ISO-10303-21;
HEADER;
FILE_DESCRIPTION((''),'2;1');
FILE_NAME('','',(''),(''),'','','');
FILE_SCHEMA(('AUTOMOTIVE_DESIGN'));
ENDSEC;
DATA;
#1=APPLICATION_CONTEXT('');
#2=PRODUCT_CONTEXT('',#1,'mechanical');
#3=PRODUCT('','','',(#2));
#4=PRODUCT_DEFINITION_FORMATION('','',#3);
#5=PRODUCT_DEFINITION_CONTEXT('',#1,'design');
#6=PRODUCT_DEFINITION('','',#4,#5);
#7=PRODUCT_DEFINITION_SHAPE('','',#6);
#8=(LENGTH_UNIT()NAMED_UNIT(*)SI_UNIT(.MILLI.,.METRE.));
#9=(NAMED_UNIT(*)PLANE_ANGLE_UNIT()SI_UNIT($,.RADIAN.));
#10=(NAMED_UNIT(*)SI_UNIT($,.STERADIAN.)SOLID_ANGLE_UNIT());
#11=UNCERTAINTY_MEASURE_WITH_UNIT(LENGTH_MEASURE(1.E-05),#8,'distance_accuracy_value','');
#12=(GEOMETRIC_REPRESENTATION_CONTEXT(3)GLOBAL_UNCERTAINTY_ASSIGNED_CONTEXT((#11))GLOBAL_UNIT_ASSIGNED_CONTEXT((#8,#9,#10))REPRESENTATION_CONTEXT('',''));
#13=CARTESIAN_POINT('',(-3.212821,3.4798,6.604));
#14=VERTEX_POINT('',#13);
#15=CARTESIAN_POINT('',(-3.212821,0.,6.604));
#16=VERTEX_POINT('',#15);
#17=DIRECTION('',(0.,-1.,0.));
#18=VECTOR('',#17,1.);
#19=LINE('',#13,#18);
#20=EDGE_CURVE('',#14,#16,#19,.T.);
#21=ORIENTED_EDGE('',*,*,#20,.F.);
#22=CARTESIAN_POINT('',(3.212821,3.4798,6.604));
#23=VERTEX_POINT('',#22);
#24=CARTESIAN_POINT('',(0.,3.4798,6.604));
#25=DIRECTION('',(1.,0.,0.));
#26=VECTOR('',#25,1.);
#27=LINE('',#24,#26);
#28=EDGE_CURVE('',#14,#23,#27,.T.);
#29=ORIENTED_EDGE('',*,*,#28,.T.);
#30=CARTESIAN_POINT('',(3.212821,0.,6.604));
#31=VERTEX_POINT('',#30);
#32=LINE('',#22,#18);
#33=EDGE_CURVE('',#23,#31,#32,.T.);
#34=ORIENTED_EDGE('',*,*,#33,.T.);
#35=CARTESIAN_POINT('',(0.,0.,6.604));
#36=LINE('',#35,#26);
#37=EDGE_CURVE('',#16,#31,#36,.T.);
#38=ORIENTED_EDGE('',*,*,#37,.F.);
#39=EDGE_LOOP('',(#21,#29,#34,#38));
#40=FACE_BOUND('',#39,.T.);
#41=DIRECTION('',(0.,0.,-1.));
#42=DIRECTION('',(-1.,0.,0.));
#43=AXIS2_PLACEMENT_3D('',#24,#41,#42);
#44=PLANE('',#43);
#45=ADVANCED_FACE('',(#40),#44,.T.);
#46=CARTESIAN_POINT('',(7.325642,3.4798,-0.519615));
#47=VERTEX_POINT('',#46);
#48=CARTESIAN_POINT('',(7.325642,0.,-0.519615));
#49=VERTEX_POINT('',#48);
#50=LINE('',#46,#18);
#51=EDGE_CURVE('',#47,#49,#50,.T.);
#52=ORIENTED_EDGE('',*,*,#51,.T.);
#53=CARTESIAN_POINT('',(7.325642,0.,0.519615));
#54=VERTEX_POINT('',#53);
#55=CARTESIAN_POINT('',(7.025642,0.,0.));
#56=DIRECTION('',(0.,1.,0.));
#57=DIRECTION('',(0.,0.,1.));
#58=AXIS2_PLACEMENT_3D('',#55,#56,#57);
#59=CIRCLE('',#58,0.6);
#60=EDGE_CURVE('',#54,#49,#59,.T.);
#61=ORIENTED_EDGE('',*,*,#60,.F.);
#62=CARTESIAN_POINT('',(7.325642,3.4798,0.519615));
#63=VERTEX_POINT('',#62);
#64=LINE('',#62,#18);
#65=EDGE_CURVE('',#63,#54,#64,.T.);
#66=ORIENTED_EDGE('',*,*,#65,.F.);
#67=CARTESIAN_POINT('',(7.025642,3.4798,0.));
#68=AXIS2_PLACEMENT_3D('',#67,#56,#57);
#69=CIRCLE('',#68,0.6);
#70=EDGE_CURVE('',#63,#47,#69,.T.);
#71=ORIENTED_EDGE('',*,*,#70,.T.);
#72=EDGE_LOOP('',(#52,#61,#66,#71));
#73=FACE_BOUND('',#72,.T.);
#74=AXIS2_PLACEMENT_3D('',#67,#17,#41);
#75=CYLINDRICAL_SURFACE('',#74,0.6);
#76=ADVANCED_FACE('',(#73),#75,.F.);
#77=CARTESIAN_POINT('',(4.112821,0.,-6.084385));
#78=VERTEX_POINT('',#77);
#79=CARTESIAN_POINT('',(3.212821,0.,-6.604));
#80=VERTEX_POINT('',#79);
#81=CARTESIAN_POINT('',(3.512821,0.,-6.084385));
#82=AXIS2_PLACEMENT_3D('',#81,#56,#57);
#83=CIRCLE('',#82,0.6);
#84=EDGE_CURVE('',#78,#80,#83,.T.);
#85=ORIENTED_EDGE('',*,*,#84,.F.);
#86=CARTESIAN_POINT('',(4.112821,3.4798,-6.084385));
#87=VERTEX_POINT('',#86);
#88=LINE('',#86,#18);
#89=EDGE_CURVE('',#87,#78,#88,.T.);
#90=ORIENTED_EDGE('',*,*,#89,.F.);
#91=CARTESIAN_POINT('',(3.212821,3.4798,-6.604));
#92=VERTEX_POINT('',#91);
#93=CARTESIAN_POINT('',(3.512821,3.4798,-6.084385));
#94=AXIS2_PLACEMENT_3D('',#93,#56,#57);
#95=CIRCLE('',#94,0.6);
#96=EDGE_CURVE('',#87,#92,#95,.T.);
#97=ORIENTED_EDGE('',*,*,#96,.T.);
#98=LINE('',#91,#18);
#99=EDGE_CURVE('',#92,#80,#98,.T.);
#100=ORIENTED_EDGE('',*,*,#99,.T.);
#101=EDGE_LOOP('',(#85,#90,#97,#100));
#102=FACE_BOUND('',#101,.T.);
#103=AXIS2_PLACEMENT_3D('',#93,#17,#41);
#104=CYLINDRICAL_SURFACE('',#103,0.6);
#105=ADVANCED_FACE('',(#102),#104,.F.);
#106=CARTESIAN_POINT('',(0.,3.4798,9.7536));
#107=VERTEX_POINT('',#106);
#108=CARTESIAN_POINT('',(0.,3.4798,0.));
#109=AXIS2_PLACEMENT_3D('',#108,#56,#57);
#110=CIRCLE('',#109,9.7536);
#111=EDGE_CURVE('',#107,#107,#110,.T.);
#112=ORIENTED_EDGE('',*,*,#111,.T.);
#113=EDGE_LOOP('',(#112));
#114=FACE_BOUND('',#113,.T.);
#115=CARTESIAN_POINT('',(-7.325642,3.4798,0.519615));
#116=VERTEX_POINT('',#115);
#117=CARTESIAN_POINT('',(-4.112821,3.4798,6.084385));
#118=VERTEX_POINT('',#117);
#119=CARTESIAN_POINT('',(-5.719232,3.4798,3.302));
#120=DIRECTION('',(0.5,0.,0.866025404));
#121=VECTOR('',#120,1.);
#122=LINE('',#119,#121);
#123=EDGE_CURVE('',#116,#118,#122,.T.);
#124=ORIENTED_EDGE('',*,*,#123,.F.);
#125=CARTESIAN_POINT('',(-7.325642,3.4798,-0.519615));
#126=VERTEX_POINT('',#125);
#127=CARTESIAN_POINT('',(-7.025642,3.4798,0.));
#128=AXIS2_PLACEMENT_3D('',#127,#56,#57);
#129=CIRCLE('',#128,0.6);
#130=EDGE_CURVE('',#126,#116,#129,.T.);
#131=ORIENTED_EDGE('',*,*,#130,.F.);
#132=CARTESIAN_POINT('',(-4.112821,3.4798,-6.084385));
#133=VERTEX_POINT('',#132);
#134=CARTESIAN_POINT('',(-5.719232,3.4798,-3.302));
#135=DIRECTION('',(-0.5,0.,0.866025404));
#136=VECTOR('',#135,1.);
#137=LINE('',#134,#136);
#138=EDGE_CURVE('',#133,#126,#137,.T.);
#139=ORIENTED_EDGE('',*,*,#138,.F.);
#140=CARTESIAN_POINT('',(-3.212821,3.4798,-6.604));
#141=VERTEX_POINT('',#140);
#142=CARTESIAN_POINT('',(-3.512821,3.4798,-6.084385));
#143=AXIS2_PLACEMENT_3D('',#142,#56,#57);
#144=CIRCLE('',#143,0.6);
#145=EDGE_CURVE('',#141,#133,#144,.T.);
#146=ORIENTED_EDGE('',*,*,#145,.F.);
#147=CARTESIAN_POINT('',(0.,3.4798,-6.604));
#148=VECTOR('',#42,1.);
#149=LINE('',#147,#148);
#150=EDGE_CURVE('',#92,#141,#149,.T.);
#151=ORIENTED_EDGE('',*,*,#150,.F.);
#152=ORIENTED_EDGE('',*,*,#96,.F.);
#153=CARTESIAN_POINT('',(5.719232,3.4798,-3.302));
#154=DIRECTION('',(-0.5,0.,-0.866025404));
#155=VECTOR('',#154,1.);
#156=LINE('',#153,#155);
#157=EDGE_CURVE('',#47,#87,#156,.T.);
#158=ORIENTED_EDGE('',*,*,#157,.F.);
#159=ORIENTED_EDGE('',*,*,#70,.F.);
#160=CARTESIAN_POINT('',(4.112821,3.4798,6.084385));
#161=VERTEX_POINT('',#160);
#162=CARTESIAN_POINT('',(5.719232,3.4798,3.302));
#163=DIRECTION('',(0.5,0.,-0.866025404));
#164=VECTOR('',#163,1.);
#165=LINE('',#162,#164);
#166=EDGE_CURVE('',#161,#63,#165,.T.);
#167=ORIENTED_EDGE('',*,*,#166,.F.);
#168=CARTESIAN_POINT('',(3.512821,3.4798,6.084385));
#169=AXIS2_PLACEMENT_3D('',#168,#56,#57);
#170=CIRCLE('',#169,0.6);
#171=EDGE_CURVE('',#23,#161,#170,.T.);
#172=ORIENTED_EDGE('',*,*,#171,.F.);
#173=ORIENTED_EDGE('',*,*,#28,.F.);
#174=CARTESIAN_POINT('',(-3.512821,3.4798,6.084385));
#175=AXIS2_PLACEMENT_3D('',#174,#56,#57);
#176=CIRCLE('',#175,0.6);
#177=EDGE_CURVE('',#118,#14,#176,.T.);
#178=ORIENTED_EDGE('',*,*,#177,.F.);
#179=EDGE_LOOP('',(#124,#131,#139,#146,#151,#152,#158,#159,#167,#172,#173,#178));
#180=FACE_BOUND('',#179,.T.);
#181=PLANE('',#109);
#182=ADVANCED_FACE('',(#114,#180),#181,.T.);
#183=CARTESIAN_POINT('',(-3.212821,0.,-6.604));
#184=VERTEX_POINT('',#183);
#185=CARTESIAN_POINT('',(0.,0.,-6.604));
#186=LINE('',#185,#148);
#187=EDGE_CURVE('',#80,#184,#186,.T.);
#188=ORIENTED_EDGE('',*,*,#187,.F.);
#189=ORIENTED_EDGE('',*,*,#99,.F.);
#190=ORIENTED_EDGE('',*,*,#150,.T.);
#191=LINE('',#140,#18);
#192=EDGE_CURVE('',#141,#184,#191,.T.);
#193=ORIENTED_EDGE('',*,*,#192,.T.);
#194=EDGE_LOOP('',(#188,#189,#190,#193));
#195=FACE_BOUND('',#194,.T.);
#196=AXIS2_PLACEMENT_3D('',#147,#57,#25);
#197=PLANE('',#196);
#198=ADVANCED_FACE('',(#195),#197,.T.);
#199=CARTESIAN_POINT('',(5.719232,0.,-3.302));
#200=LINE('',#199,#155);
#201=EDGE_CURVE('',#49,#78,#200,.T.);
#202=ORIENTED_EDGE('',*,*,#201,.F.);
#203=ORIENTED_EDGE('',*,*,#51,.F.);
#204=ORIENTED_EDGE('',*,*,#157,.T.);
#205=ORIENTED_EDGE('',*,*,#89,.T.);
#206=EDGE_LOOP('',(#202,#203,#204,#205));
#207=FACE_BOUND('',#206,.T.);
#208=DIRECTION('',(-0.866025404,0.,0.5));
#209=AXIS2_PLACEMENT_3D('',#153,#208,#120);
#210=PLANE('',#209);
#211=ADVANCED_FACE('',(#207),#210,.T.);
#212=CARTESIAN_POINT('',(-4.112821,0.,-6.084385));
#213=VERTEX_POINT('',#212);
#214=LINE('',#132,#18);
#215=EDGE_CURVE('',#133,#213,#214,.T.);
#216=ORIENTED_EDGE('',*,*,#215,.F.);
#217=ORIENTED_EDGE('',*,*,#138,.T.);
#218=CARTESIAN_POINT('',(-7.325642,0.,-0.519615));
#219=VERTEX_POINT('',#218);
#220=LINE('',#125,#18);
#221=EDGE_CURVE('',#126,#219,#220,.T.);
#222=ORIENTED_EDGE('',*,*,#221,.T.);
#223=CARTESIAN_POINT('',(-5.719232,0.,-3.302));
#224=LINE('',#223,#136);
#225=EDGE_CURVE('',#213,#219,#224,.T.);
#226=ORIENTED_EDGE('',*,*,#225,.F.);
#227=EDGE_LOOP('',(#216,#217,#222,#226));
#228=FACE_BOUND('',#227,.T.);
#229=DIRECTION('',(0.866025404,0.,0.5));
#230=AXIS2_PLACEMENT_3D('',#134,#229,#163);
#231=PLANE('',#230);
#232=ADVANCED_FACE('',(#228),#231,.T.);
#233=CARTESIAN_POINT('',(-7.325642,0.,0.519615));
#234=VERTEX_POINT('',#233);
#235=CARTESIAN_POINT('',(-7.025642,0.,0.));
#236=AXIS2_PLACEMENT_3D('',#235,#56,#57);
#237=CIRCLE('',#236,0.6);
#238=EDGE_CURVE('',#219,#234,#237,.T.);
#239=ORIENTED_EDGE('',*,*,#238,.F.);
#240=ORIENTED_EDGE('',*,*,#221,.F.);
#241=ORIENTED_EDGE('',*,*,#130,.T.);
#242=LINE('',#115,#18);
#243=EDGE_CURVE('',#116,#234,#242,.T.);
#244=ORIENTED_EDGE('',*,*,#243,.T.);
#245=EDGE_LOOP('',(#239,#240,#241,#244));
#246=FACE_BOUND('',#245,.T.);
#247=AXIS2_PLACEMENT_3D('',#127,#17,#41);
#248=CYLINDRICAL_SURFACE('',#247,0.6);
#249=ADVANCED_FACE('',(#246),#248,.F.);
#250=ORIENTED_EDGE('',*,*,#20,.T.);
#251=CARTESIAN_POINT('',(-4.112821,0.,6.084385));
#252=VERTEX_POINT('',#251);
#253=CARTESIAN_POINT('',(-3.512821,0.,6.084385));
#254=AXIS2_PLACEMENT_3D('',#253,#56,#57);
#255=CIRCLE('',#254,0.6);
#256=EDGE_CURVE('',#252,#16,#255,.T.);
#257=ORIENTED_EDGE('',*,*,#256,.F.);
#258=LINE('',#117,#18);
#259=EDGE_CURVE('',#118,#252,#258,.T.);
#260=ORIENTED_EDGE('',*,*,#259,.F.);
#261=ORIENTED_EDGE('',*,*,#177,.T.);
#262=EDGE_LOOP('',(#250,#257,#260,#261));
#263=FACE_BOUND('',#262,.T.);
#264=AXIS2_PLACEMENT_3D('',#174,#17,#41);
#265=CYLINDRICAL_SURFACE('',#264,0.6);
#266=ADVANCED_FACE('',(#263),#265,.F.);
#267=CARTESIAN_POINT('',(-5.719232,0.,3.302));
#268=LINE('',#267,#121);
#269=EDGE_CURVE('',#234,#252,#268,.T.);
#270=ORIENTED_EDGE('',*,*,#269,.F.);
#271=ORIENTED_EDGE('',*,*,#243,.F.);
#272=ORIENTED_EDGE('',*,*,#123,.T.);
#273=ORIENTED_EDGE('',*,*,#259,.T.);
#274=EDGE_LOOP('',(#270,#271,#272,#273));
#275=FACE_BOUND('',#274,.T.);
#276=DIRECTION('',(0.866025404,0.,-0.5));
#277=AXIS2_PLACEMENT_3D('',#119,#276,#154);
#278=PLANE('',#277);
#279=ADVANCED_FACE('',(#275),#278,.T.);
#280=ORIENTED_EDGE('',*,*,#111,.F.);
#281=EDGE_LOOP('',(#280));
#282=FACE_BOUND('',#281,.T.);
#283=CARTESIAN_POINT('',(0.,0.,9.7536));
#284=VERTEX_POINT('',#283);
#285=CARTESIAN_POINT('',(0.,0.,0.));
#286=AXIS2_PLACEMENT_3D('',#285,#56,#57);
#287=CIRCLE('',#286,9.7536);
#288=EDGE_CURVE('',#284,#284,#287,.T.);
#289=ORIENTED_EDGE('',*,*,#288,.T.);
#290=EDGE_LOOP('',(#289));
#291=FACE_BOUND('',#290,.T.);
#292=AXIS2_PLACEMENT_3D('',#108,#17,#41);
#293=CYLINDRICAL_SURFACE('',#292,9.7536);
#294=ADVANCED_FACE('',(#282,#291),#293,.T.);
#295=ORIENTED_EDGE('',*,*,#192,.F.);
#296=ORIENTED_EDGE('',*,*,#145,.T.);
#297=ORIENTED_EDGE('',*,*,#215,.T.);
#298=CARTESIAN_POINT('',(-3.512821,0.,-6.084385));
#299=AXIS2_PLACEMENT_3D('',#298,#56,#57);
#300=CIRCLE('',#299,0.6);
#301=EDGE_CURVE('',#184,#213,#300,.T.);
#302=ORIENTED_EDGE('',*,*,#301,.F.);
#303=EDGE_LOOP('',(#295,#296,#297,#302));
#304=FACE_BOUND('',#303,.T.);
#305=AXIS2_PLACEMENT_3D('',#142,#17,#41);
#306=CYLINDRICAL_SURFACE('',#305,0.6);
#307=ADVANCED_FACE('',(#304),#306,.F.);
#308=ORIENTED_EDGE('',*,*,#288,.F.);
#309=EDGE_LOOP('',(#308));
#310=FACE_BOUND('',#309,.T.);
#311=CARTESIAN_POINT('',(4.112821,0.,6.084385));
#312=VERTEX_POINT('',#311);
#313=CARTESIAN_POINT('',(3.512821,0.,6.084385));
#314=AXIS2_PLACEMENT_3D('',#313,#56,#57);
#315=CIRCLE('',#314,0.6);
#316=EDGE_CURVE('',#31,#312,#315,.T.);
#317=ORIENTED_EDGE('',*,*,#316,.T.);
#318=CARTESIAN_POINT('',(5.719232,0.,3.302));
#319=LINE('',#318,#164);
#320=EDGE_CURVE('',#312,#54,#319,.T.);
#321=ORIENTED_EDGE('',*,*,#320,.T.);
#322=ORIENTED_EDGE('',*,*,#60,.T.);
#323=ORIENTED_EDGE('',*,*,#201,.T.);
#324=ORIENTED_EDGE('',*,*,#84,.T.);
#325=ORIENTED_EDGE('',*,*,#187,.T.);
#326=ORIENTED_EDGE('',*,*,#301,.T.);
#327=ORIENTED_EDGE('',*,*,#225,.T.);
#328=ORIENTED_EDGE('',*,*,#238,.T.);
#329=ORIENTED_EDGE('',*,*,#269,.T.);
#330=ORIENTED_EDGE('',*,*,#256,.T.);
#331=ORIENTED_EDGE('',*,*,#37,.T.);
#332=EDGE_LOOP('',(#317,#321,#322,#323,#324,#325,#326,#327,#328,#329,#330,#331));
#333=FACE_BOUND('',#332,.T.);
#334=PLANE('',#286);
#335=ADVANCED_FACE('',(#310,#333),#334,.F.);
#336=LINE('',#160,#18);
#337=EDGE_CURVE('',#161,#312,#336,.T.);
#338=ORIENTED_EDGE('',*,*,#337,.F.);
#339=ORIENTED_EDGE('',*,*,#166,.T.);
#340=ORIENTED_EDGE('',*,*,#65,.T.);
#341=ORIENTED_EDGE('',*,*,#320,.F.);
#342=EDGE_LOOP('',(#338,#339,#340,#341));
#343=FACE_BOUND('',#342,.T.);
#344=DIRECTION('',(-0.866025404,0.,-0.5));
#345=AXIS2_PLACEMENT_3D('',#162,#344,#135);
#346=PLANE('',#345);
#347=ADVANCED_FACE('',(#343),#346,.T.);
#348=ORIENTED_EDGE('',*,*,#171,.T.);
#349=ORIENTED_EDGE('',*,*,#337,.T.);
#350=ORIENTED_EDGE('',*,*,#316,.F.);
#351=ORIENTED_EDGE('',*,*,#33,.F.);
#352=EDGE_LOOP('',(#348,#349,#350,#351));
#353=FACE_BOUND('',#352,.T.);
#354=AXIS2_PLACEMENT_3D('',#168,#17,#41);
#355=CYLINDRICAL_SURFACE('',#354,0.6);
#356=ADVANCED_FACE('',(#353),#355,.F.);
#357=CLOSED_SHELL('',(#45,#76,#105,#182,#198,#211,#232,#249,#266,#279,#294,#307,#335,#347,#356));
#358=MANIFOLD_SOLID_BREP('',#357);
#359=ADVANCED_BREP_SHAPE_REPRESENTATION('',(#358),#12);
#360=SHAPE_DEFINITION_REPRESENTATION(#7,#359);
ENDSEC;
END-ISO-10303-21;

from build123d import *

# Parameters (mm, degrees)
SKETCH1_R           = 9.7536
BOSS_EXTRUDE1_DEPTH = 3.4798


with BuildPart() as part:
    # Sketch1 → Boss-Extrude1 (new body)
    with BuildSketch(Plane(origin=(0, 0, 0), x_dir=(1, 0, 0), z_dir=(0, 1, 0))):
        with Locations(Location((0, 0, 0), (0, 0, 270))):
            Circle(SKETCH1_R)
        with BuildLine():
            ThreePointArc((3.812821178, 6.604), (4.03243642, 6.384384758), (4.112821178, 6.084384758))
            Line((4.112821178, 6.084384758), (7.325642355, 0.519615242))
            ThreePointArc((7.325642355, 0.519615242), (7.545257598, 0.3), (7.625642355, 0))
            ThreePointArc((7.625642355, 0), (7.545257598, -0.3), (7.325642355, -0.519615242))
            Line((7.325642355, -0.519615242), (4.112821178, -6.084384758))
            ThreePointArc((4.112821178, -6.084384758), (4.03243642, -6.384384758), (3.812821178, -6.604))
            ThreePointArc((3.812821178, -6.604), (3.512821178, -6.684384758), (3.212821178, -6.604))
            Line((3.212821178, -6.604), (-3.212821178, -6.604))
            ThreePointArc((-3.212821178, -6.604), (-3.512821178, -6.684384758), (-3.812821178, -6.604))
            ThreePointArc((-3.812821178, -6.604), (-4.03243642, -6.384384758), (-4.112821178, -6.084384758))
            Line((-4.112821178, -6.084384758), (-7.325642355, -0.519615242))
            ThreePointArc((-7.325642355, -0.519615242), (-7.545257598, -0.3), (-7.625642355, 0))
            ThreePointArc((-7.625642355, 0), (-7.545257598, 0.3), (-7.325642355, 0.519615242))
            Line((-7.325642355, 0.519615242), (-4.112821178, 6.084384758))
            ThreePointArc((-4.112821178, 6.084384758), (-4.03243642, 6.384384758), (-3.812821178, 6.604))
            ThreePointArc((-3.812821178, 6.604), (-3.512821178, 6.684384758), (-3.212821178, 6.604))
            Line((-3.212821178, 6.604), (3.212821178, 6.604))
            ThreePointArc((3.212821178, 6.604), (3.512821178, 6.684384758), (3.812821178, 6.604))
        make_face(mode=Mode.SUBTRACT)
    extrude(amount=BOSS_EXTRUDE1_DEPTH)


solid = part.part
